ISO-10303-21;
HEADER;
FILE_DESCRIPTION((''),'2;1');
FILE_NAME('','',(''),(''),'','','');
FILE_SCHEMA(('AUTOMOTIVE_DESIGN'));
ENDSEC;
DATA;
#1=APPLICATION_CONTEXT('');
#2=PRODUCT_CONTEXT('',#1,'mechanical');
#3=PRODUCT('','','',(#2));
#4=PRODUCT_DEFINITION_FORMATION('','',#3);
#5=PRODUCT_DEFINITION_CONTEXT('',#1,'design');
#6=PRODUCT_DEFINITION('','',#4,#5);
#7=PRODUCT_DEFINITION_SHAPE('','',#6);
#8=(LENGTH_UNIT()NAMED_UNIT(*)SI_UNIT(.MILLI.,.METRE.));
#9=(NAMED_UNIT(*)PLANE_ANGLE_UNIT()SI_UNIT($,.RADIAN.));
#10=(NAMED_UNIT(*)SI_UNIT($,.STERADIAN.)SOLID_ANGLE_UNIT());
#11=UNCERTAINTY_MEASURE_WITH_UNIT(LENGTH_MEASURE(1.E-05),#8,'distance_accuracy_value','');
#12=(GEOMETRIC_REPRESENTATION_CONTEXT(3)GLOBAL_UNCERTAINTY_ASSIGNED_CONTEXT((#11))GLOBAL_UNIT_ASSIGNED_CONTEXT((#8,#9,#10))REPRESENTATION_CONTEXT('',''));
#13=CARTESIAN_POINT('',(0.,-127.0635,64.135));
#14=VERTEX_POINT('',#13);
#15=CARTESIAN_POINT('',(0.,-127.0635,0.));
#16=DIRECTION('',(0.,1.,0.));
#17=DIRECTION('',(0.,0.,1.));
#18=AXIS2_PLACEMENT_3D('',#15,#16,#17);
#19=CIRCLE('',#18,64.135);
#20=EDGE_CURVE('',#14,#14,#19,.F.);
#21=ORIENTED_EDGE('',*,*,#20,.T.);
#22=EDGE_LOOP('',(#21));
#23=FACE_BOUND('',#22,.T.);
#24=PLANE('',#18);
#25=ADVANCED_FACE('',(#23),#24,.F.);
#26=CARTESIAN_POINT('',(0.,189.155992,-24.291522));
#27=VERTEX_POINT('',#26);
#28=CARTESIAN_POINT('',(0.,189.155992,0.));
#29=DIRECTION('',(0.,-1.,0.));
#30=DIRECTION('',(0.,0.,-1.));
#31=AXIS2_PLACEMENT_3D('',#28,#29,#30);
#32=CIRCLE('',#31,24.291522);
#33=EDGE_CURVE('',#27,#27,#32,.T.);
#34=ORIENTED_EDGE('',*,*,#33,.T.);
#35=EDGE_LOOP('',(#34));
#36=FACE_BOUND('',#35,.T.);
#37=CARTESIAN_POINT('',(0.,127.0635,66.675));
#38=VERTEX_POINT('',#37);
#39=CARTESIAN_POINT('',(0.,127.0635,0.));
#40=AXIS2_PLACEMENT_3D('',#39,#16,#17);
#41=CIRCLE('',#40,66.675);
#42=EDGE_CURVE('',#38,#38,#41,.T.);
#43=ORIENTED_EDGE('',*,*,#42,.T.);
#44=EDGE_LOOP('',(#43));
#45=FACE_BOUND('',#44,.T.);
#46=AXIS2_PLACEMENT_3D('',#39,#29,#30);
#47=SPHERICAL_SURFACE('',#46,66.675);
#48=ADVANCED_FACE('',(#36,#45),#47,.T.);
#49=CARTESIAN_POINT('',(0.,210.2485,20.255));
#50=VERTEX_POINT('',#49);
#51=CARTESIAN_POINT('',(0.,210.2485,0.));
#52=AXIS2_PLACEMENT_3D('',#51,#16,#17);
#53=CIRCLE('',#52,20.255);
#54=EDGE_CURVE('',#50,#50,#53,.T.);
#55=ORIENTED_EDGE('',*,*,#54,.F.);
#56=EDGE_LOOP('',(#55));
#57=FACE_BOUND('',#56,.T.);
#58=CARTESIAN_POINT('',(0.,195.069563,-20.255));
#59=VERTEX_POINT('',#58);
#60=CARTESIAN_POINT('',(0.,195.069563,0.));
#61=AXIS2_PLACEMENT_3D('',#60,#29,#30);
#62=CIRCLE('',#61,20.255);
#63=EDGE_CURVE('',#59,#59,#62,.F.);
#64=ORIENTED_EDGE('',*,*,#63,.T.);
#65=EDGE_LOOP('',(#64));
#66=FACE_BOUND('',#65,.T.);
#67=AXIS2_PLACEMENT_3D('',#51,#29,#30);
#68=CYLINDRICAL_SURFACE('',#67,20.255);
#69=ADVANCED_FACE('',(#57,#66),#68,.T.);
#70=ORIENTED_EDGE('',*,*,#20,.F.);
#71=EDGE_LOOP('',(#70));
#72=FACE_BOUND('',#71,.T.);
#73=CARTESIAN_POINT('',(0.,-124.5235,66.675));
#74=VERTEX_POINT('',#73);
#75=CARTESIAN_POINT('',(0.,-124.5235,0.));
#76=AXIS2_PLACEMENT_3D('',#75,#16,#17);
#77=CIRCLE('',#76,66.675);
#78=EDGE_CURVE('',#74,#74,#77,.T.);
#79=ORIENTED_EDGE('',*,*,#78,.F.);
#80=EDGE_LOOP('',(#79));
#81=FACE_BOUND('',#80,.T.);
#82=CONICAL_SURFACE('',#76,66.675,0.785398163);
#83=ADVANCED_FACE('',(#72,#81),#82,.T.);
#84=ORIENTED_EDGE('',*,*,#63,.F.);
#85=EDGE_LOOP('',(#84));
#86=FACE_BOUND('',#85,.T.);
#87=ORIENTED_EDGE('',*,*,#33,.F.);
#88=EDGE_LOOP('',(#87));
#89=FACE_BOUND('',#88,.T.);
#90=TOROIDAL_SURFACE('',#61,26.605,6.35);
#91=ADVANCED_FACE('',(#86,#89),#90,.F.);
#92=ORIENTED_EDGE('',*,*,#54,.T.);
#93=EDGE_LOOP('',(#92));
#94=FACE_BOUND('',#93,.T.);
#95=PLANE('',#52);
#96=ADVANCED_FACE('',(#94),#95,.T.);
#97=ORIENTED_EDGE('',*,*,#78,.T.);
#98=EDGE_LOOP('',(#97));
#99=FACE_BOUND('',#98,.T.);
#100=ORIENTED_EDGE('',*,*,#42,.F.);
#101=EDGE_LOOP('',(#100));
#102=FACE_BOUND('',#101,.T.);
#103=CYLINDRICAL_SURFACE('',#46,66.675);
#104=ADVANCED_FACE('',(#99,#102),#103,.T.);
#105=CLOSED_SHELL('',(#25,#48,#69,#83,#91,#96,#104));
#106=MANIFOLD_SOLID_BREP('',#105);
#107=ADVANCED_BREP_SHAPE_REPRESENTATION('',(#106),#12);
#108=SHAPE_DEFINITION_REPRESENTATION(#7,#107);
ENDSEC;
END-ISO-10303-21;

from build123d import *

# Parameters (mm, degrees)
SKETCH1_R           = 66.675
BOSS_EXTRUDE1_DEPTH = 127.0635
DOME1_FACE_RADIUS   = 66.675
DOME1_HEIGHT        = 66.675
SKETCH5_R           = 20.255
BOSS_EXTRUDE2_DEPTH = 16.51
CHAMFER1_SIZE       = 2.54
FILLET1_R           = 6.35


with BuildPart() as part:
    # Sketch1 → Boss-Extrude1 (new body, symmetric)
    with BuildSketch(Plane(origin=(0, 0, 0), x_dir=(1, 0, 0), z_dir=(0, 1, 0))):
        Circle(SKETCH1_R)
    extrude(amount=BOSS_EXTRUDE1_DEPTH, both=True)

    # Dome1: a dome of height H over a round flat face of radius A is a cap of a sphere of radius (A * A + H * H) / (2 * H)
    dome1_r = (DOME1_FACE_RADIUS * DOME1_FACE_RADIUS + DOME1_HEIGHT * DOME1_HEIGHT) / (2 * DOME1_HEIGHT)
    dome1_base = Plane((0, 127.0635, 0), z_dir=(0, 1, 0))
    with Locations(dome1_base.offset(DOME1_HEIGHT - dome1_r)):
        dome1_ball = Sphere(dome1_r, mode=Mode.PRIVATE)
    add(split(dome1_ball, bisect_by=dome1_base, keep=Keep.TOP, mode=Mode.PRIVATE))

    # Sketch5 → Boss-Extrude2 (add, symmetric)
    with BuildSketch(Plane(origin=(0, 193.7385, 0), x_dir=(1, 0, 0), z_dir=(0, 1, 0))):
        Circle(SKETCH5_R)
    extrude(amount=BOSS_EXTRUDE2_DEPTH, both=True)

    # Chamfer1
    chamfer1_edges = [part.edges().sort_by_distance(p)[0] for p in [
        (-66.675, -127.0635, 0),
    ]]
    chamfer(chamfer1_edges, length=CHAMFER1_SIZE)

    # Fillet1
    fillet1_edges = [part.edges().sort_by_distance(p)[0] for p in [
        (-14.322447853, 190.587437221, -14.322447853),
    ]]
    fillet(fillet1_edges, radius=FILLET1_R)


solid = part.part
